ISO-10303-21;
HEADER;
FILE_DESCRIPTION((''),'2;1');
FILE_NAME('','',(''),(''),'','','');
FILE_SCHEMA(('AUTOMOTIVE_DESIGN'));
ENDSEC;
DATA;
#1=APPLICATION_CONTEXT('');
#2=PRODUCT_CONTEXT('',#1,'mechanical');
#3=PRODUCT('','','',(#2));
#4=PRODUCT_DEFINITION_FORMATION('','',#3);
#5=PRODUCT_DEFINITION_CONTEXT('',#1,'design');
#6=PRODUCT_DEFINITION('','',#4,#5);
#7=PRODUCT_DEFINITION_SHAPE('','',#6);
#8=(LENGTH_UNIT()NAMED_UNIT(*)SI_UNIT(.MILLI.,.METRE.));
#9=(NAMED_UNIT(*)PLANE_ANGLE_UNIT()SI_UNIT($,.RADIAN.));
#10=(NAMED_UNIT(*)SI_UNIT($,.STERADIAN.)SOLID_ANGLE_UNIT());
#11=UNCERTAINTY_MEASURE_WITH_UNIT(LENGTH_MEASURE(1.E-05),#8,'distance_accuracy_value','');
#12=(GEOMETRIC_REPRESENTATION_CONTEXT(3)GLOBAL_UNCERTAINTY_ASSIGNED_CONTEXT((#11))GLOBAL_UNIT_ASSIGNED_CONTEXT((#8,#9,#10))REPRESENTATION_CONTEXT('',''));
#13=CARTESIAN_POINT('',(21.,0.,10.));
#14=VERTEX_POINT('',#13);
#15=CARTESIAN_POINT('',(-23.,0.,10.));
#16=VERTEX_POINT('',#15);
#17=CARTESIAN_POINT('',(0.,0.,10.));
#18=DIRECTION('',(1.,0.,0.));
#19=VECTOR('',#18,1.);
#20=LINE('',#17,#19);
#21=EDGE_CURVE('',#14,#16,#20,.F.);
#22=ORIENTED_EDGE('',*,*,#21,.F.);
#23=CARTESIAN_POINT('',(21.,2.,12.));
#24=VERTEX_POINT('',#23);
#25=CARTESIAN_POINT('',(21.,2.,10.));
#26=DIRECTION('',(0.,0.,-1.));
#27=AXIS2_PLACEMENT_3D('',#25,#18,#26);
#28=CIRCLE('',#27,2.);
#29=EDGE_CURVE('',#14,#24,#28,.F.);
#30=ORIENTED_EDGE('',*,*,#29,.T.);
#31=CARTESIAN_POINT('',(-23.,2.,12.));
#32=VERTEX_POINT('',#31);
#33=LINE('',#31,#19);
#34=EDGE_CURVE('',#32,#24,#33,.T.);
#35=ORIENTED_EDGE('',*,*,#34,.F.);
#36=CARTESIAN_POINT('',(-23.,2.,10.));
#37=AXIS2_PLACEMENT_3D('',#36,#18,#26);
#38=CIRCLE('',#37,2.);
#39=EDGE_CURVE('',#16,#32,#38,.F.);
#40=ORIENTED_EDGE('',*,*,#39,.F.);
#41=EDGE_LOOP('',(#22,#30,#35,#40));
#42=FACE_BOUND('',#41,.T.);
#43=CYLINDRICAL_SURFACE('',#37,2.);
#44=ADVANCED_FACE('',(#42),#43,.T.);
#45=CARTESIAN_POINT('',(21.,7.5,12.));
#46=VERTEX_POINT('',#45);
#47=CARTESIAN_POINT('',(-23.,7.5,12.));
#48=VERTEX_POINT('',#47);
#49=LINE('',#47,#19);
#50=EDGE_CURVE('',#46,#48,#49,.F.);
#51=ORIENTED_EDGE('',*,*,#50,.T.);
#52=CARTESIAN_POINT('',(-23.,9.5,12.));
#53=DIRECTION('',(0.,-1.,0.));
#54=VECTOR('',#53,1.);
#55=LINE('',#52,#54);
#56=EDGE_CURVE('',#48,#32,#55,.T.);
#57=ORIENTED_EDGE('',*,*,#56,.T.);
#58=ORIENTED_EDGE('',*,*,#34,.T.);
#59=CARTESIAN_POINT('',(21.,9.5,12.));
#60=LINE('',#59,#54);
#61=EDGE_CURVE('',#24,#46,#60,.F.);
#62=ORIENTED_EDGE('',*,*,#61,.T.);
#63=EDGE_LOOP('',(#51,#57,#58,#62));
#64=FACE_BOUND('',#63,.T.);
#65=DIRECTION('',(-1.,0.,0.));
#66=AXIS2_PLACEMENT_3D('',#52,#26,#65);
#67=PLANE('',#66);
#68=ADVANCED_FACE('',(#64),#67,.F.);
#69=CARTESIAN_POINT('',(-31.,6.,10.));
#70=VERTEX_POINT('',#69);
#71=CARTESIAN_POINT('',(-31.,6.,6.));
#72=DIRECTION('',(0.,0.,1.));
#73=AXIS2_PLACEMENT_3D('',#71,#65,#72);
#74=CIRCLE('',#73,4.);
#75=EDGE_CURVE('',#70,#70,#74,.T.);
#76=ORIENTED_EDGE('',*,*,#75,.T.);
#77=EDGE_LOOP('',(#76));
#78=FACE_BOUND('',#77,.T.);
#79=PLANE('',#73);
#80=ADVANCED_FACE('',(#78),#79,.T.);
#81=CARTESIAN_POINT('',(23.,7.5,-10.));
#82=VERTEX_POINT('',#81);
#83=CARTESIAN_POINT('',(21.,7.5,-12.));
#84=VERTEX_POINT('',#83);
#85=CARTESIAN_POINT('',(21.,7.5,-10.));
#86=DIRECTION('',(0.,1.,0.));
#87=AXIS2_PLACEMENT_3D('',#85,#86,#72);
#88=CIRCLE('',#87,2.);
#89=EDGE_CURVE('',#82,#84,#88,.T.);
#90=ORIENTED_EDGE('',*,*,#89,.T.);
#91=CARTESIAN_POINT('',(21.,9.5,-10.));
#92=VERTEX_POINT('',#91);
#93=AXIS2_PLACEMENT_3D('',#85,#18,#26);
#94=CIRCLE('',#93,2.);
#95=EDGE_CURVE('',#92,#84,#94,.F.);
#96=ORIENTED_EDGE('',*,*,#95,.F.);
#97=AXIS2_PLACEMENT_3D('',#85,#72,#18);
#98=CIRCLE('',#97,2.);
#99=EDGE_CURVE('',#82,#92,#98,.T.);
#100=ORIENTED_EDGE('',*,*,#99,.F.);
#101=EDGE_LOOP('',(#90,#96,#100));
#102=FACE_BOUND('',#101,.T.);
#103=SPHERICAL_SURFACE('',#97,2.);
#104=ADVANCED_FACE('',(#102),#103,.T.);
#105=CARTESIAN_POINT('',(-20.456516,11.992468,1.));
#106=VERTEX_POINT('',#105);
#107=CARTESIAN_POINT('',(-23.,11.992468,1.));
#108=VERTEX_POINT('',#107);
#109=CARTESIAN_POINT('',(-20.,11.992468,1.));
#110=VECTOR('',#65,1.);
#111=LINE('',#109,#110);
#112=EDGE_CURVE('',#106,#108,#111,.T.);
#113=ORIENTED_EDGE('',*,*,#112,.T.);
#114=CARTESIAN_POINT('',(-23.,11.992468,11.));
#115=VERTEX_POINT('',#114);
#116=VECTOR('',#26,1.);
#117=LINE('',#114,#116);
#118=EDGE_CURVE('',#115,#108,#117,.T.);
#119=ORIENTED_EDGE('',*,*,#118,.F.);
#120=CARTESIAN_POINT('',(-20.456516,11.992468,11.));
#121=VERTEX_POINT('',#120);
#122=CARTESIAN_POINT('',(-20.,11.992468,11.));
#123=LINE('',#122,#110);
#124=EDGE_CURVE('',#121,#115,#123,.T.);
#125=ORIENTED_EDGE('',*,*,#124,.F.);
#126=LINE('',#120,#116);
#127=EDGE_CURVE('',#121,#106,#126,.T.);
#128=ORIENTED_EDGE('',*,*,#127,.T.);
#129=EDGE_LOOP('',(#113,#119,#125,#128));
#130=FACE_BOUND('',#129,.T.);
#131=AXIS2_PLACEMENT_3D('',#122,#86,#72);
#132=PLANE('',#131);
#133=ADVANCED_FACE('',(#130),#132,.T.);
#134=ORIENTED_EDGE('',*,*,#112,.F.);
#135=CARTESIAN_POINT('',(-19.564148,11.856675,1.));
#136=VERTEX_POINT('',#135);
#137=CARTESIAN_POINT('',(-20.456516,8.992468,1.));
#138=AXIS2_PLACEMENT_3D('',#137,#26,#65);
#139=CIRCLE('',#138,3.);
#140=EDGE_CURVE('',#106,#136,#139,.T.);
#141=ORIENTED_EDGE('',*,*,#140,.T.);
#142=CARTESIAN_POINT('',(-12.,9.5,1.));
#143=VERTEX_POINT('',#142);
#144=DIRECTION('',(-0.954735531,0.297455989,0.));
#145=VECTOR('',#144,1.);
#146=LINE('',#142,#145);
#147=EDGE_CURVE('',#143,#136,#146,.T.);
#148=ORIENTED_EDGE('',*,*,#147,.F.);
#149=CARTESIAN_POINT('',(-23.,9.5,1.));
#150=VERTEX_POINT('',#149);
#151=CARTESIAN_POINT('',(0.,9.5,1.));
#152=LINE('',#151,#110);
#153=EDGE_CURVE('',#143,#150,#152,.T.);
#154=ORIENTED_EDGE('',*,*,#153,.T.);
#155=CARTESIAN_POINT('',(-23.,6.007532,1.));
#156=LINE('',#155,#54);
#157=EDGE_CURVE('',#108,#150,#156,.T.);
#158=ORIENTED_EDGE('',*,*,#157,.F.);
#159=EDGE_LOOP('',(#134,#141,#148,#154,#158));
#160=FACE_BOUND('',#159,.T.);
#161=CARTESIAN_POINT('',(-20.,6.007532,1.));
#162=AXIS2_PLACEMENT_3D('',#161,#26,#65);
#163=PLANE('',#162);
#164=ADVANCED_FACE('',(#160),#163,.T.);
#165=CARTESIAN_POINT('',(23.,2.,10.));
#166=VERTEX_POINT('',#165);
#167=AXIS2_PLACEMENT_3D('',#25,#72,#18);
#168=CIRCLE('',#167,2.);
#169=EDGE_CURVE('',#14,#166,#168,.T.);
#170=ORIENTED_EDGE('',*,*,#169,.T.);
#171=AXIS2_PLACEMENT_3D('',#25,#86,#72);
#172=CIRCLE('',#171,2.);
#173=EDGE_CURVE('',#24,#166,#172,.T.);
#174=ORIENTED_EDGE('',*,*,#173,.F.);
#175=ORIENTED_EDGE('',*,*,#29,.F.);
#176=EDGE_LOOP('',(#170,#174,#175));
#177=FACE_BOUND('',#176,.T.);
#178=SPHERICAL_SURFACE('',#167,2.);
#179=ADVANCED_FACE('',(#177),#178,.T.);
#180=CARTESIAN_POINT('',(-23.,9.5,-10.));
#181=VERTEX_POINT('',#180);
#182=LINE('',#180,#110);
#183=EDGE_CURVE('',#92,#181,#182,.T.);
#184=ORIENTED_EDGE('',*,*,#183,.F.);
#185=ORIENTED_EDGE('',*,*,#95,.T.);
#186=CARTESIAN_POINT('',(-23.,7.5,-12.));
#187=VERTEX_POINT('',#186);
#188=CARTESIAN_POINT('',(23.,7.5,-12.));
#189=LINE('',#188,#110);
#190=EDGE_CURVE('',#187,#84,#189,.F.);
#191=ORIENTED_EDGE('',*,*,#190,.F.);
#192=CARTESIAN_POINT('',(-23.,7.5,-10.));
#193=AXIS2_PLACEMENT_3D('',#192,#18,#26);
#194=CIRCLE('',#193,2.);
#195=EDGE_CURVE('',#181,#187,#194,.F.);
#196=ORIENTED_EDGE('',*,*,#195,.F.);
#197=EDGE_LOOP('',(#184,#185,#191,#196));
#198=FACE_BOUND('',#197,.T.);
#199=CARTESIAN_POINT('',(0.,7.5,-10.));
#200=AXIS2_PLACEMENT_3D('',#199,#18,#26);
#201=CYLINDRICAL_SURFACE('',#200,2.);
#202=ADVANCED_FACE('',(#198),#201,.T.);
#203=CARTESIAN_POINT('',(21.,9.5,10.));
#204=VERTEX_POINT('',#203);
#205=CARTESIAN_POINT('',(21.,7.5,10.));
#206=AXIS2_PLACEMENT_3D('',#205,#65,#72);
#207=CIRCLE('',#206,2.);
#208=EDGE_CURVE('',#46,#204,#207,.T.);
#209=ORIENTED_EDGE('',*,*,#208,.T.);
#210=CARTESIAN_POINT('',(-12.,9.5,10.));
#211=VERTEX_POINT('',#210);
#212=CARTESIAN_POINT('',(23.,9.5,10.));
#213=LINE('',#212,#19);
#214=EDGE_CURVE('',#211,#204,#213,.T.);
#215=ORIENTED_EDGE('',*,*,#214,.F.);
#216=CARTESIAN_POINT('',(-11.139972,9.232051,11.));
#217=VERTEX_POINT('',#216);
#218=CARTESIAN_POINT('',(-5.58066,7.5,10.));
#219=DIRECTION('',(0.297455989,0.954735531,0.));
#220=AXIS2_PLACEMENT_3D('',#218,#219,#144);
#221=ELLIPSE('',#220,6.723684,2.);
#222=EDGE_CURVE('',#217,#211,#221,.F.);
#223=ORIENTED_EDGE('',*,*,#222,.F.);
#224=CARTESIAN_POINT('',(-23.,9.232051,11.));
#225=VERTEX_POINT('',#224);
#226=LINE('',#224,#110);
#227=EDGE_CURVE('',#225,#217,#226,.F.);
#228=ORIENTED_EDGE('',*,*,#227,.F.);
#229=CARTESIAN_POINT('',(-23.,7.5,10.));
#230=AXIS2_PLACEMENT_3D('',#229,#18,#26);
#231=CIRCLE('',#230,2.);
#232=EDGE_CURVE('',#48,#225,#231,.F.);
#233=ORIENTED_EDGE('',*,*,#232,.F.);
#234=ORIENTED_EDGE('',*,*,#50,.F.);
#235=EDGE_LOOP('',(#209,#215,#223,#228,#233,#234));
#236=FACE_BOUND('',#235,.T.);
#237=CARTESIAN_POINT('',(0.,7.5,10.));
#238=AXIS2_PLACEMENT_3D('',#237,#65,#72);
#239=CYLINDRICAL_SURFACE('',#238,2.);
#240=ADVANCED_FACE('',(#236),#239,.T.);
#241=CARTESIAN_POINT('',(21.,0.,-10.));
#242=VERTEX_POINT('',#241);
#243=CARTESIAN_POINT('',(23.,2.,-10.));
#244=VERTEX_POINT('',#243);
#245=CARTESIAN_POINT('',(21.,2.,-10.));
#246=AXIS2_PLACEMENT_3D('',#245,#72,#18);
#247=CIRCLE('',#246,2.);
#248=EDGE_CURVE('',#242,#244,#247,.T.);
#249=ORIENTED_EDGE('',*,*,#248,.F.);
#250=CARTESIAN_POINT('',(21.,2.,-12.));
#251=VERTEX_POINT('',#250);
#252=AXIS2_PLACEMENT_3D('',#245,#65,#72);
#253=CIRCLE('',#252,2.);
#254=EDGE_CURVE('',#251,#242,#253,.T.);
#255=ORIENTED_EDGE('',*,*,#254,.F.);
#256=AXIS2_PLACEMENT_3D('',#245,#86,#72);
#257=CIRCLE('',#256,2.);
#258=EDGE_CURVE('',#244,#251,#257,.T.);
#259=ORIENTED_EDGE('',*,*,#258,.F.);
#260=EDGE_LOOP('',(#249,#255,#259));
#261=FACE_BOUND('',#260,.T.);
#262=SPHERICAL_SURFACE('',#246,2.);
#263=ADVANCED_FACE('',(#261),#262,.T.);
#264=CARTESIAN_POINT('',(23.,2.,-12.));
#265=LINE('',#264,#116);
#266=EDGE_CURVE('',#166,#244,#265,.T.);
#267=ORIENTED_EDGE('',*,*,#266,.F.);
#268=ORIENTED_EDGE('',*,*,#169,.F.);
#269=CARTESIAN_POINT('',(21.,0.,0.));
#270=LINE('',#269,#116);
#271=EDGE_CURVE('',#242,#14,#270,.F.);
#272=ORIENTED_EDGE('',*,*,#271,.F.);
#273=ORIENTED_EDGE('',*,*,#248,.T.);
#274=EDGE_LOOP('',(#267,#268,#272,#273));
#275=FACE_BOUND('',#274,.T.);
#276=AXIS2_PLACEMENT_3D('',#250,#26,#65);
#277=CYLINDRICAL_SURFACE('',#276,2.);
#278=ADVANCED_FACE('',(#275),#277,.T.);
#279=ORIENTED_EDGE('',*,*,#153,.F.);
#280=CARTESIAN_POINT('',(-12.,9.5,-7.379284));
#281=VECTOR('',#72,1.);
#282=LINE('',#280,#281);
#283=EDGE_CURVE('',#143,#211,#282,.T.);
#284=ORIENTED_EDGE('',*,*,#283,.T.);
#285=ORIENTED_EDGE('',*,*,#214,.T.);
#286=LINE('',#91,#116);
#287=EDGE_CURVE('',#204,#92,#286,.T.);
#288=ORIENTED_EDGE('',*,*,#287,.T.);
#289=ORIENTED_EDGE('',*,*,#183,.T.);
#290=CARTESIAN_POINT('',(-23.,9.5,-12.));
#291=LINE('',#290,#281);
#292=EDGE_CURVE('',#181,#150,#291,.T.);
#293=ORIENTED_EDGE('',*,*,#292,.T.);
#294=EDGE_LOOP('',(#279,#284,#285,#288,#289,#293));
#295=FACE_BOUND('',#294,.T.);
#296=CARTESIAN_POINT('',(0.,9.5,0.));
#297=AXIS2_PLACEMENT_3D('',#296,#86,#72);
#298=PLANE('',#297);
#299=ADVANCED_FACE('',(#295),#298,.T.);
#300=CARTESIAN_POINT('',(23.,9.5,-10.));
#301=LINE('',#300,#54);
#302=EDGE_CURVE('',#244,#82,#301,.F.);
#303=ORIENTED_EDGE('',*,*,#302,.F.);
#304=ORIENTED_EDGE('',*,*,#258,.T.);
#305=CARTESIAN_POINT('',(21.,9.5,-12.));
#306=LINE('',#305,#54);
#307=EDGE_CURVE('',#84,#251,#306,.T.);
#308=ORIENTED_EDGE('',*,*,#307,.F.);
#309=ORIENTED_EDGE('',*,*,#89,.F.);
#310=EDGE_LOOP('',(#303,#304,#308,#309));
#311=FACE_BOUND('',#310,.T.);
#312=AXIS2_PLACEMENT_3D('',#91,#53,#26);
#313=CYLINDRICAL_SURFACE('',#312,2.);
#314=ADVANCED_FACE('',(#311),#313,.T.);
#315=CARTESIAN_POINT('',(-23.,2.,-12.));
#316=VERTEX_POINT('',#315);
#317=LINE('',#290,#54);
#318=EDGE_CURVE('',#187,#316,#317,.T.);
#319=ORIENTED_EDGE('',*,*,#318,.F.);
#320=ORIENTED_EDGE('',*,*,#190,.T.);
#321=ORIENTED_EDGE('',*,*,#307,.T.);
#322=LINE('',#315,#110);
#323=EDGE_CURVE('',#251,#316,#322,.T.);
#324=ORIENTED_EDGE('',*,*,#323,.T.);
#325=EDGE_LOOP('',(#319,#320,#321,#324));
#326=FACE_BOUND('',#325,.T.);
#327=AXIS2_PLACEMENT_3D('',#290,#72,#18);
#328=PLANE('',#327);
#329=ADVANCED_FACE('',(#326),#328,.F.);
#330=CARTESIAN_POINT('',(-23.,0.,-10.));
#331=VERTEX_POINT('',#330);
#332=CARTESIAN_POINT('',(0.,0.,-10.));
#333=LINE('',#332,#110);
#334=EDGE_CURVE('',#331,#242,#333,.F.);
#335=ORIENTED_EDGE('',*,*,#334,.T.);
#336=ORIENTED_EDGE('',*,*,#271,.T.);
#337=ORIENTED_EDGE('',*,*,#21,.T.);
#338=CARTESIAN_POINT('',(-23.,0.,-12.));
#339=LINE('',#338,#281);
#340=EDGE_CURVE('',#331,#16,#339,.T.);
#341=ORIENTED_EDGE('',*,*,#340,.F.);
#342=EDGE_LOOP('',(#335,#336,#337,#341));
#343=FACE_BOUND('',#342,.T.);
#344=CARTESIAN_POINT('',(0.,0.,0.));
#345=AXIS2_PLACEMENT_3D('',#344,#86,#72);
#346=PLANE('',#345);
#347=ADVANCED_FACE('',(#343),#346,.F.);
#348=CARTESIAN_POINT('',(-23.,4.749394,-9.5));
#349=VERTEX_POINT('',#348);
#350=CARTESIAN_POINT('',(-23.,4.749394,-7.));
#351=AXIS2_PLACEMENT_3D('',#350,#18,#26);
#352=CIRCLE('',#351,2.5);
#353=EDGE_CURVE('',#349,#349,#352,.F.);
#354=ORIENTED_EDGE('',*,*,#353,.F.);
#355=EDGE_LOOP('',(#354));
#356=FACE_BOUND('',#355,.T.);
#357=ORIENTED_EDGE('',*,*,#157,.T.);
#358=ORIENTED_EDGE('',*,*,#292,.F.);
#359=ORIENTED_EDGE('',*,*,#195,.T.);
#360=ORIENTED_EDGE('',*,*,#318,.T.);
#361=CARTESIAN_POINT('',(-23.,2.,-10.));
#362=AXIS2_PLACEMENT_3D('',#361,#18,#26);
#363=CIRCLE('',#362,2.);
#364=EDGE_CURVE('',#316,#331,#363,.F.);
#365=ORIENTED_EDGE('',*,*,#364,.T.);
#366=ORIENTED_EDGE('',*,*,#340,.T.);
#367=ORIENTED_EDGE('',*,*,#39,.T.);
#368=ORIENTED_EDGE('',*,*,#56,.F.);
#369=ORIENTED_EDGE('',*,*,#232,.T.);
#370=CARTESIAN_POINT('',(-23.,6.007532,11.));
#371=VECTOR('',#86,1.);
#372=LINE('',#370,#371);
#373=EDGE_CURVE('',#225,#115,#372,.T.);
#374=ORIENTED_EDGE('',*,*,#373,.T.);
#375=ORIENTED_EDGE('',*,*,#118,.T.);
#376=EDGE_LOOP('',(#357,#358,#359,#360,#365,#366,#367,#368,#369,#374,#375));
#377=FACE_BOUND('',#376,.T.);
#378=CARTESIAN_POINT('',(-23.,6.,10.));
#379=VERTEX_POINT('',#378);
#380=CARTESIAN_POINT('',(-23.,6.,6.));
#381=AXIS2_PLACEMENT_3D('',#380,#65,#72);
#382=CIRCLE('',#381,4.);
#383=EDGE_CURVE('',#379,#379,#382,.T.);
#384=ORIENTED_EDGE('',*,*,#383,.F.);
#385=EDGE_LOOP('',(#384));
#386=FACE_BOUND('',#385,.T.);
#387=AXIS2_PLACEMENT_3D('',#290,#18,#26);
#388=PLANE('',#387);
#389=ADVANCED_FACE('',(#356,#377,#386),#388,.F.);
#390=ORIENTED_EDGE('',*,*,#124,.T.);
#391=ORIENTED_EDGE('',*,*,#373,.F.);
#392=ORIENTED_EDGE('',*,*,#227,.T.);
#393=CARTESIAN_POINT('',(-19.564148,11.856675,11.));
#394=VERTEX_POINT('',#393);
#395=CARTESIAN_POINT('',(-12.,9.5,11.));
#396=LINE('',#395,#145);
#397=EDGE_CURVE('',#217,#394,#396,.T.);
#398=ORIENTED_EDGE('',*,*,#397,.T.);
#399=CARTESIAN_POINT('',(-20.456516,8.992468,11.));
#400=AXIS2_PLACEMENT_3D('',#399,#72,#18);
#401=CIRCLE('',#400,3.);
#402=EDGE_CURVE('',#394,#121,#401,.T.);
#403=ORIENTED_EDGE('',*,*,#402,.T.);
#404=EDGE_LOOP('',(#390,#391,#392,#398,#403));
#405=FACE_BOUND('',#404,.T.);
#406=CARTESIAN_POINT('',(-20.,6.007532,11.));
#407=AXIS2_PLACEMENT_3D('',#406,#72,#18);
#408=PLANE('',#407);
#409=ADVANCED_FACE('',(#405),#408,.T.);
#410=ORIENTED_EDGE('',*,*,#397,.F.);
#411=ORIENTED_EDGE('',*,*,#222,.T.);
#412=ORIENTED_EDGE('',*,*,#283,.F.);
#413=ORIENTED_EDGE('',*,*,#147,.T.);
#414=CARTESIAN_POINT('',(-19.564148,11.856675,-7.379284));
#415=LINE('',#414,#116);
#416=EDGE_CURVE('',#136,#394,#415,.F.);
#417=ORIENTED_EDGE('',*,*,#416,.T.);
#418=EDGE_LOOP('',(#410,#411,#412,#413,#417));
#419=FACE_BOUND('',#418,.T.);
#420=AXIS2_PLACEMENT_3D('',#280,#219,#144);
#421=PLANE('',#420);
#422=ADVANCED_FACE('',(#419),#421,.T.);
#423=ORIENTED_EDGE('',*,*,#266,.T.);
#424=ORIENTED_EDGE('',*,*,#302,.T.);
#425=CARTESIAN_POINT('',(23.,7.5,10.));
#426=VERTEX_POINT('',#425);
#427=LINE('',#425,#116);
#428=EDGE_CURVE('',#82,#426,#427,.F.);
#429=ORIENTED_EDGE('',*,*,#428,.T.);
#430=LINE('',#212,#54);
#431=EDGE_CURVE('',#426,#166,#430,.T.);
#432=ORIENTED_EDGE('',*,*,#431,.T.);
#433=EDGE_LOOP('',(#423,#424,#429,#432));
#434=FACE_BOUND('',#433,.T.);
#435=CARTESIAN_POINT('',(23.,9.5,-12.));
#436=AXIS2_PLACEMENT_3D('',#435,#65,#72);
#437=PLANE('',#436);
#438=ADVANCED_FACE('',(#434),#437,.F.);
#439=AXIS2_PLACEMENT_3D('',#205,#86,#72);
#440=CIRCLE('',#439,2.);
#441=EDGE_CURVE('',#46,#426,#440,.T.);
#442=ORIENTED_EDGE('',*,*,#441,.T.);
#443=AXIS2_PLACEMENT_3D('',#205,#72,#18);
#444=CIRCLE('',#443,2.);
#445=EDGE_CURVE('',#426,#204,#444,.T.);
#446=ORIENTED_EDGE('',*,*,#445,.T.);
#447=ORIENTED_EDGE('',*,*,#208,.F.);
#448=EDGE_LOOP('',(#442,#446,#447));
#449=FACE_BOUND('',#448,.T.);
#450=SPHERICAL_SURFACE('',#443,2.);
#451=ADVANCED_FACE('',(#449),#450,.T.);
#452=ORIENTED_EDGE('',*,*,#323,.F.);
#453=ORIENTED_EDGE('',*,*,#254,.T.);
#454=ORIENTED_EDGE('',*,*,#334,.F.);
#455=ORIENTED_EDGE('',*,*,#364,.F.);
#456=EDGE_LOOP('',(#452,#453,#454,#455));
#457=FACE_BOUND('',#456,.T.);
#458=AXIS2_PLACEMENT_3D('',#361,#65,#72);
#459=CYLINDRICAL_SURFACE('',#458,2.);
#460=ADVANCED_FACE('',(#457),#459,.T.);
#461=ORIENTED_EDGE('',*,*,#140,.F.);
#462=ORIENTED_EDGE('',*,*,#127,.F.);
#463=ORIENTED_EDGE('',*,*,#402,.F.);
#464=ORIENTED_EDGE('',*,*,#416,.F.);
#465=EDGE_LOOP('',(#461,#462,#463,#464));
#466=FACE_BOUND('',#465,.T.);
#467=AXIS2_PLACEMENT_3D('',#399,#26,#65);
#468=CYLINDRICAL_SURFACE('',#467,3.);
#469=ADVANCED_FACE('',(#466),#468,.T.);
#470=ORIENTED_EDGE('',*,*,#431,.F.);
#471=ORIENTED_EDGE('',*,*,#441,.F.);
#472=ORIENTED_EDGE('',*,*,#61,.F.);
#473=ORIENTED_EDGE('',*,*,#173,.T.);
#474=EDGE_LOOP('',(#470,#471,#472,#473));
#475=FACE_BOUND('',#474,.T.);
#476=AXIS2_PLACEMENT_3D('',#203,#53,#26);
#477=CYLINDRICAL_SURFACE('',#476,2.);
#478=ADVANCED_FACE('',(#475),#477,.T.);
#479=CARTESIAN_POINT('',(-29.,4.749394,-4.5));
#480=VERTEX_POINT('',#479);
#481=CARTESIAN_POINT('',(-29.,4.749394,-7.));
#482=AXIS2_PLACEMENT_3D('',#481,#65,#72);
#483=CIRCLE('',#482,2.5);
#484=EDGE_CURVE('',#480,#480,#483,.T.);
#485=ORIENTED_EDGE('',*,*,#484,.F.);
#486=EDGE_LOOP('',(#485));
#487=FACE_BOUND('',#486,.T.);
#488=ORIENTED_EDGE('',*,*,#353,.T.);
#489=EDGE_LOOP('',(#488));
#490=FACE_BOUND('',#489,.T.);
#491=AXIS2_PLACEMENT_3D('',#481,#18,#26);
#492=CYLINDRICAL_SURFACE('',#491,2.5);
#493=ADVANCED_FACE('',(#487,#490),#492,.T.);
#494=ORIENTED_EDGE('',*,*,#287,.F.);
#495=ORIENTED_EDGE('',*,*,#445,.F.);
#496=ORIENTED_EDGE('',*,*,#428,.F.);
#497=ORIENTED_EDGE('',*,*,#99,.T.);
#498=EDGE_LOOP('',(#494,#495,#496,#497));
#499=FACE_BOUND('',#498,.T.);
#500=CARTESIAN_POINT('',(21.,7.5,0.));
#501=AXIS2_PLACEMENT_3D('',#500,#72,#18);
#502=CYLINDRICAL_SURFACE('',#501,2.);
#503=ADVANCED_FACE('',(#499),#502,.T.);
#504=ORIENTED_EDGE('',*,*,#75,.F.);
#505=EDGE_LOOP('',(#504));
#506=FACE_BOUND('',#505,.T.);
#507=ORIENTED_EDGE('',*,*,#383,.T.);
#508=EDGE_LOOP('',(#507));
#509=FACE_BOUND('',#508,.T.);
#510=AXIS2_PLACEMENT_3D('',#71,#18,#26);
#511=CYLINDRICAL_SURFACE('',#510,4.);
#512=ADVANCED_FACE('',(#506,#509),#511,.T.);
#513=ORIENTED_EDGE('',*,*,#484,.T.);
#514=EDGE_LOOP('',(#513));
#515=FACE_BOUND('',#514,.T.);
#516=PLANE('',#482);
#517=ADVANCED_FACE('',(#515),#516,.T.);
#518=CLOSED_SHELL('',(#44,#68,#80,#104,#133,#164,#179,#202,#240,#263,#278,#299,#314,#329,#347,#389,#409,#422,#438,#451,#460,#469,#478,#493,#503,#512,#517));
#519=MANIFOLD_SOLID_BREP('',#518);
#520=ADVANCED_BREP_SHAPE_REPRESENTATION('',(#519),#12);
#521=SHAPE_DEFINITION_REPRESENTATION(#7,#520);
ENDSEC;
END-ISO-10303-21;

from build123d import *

# Parameters (mm, degrees)
SKETCH_1_W      = 46
SKETCH_1_H      = 24
EXTRUDE_1_DEPTH = 9.5
SKETCH_2_R      = 4
EXTRUDE_2_DEPTH = 8
SKETCH_4_W      = 10
SKETCH_4_H      = 5.984936324
EXTRUDE_3_DEPTH = 3
EXTRUDE_4_DEPTH = 10
SKETCH_6_R      = 2.5
EXTRUDE_5_DEPTH = 6
FILLET_1_R      = 3
FILLET_5_R      = 2
FILLET_6_R      = 2


with BuildPart() as part:
    # 草图1 → 凸台-拉伸1 (new body)
    with BuildSketch(Plane(origin=(0, 0, 0), x_dir=(1, 0, 0), z_dir=(0, 1, 0))):
        Rectangle(SKETCH_1_W, SKETCH_1_H)
    extrude(amount=EXTRUDE_1_DEPTH)

    # 草图2 → 凸台-拉伸2 (add)
    with BuildSketch(Plane.ZY.offset(23)):
        with Locations(Location((6, 6, 0), (0, 0, 118.955024372))):
            Circle(SKETCH_2_R)
    extrude(amount=EXTRUDE_2_DEPTH)

    # 草图4 → 凸台-拉伸3 (add)
    with BuildSketch(Plane.ZY.offset(23)):
        with Locations((6, 9)):
            Rectangle(SKETCH_4_W, SKETCH_4_H)
    extrude(amount=-EXTRUDE_3_DEPTH)

    # 草图5 → 凸台-拉伸4 (add)
    with BuildSketch(Plane.XY.offset(11)):
        Polygon((-20, 11.992468162), (-20, 9.5), (-12, 9.5), align=None)
    extrude(amount=-EXTRUDE_4_DEPTH)

    # 草图6 → 凸台-拉伸5 (add)
    with BuildSketch(Plane.ZY.offset(23)):
        with Locations(Location((-7, 4.749394355, 0), (0, 0, 180))):
            Circle(SKETCH_6_R)
    extrude(amount=EXTRUDE_5_DEPTH)

    # 圆角1
    fillet_1_edges = [part.edges().sort_by_distance(p)[0] for p in [
        (-20, 11.992468162, 6),
    ]]
    fillet(fillet_1_edges, radius=FILLET_1_R)

    # 圆角5
    fillet_5_edges = [part.edges().sort_by_distance(p)[0] for p in [
        (0, 0, 12),
        (0, 0, -12),
        (0, 9.5, -12),
        (0, 9.5, 12),
    ]]
    fillet(fillet_5_edges, radius=FILLET_5_R)

    # 圆角6
    fillet_6_edges = [part.edges().sort_by_distance(p)[0] for p in [
        (23, 4.75, 12),
        (23, 0, 0),
        (23, 4.75, -12),
        (23, 9.5, 0),
        (23, 8.914213562, 11.414213562),
        (23, 8.914213562, -11.414213562),
        (23, 0.585786438, -11.414213562),
        (23, 0.585786438, 11.414213562),
    ]]
    fillet(fillet_6_edges, radius=FILLET_6_R)


solid = part.part
